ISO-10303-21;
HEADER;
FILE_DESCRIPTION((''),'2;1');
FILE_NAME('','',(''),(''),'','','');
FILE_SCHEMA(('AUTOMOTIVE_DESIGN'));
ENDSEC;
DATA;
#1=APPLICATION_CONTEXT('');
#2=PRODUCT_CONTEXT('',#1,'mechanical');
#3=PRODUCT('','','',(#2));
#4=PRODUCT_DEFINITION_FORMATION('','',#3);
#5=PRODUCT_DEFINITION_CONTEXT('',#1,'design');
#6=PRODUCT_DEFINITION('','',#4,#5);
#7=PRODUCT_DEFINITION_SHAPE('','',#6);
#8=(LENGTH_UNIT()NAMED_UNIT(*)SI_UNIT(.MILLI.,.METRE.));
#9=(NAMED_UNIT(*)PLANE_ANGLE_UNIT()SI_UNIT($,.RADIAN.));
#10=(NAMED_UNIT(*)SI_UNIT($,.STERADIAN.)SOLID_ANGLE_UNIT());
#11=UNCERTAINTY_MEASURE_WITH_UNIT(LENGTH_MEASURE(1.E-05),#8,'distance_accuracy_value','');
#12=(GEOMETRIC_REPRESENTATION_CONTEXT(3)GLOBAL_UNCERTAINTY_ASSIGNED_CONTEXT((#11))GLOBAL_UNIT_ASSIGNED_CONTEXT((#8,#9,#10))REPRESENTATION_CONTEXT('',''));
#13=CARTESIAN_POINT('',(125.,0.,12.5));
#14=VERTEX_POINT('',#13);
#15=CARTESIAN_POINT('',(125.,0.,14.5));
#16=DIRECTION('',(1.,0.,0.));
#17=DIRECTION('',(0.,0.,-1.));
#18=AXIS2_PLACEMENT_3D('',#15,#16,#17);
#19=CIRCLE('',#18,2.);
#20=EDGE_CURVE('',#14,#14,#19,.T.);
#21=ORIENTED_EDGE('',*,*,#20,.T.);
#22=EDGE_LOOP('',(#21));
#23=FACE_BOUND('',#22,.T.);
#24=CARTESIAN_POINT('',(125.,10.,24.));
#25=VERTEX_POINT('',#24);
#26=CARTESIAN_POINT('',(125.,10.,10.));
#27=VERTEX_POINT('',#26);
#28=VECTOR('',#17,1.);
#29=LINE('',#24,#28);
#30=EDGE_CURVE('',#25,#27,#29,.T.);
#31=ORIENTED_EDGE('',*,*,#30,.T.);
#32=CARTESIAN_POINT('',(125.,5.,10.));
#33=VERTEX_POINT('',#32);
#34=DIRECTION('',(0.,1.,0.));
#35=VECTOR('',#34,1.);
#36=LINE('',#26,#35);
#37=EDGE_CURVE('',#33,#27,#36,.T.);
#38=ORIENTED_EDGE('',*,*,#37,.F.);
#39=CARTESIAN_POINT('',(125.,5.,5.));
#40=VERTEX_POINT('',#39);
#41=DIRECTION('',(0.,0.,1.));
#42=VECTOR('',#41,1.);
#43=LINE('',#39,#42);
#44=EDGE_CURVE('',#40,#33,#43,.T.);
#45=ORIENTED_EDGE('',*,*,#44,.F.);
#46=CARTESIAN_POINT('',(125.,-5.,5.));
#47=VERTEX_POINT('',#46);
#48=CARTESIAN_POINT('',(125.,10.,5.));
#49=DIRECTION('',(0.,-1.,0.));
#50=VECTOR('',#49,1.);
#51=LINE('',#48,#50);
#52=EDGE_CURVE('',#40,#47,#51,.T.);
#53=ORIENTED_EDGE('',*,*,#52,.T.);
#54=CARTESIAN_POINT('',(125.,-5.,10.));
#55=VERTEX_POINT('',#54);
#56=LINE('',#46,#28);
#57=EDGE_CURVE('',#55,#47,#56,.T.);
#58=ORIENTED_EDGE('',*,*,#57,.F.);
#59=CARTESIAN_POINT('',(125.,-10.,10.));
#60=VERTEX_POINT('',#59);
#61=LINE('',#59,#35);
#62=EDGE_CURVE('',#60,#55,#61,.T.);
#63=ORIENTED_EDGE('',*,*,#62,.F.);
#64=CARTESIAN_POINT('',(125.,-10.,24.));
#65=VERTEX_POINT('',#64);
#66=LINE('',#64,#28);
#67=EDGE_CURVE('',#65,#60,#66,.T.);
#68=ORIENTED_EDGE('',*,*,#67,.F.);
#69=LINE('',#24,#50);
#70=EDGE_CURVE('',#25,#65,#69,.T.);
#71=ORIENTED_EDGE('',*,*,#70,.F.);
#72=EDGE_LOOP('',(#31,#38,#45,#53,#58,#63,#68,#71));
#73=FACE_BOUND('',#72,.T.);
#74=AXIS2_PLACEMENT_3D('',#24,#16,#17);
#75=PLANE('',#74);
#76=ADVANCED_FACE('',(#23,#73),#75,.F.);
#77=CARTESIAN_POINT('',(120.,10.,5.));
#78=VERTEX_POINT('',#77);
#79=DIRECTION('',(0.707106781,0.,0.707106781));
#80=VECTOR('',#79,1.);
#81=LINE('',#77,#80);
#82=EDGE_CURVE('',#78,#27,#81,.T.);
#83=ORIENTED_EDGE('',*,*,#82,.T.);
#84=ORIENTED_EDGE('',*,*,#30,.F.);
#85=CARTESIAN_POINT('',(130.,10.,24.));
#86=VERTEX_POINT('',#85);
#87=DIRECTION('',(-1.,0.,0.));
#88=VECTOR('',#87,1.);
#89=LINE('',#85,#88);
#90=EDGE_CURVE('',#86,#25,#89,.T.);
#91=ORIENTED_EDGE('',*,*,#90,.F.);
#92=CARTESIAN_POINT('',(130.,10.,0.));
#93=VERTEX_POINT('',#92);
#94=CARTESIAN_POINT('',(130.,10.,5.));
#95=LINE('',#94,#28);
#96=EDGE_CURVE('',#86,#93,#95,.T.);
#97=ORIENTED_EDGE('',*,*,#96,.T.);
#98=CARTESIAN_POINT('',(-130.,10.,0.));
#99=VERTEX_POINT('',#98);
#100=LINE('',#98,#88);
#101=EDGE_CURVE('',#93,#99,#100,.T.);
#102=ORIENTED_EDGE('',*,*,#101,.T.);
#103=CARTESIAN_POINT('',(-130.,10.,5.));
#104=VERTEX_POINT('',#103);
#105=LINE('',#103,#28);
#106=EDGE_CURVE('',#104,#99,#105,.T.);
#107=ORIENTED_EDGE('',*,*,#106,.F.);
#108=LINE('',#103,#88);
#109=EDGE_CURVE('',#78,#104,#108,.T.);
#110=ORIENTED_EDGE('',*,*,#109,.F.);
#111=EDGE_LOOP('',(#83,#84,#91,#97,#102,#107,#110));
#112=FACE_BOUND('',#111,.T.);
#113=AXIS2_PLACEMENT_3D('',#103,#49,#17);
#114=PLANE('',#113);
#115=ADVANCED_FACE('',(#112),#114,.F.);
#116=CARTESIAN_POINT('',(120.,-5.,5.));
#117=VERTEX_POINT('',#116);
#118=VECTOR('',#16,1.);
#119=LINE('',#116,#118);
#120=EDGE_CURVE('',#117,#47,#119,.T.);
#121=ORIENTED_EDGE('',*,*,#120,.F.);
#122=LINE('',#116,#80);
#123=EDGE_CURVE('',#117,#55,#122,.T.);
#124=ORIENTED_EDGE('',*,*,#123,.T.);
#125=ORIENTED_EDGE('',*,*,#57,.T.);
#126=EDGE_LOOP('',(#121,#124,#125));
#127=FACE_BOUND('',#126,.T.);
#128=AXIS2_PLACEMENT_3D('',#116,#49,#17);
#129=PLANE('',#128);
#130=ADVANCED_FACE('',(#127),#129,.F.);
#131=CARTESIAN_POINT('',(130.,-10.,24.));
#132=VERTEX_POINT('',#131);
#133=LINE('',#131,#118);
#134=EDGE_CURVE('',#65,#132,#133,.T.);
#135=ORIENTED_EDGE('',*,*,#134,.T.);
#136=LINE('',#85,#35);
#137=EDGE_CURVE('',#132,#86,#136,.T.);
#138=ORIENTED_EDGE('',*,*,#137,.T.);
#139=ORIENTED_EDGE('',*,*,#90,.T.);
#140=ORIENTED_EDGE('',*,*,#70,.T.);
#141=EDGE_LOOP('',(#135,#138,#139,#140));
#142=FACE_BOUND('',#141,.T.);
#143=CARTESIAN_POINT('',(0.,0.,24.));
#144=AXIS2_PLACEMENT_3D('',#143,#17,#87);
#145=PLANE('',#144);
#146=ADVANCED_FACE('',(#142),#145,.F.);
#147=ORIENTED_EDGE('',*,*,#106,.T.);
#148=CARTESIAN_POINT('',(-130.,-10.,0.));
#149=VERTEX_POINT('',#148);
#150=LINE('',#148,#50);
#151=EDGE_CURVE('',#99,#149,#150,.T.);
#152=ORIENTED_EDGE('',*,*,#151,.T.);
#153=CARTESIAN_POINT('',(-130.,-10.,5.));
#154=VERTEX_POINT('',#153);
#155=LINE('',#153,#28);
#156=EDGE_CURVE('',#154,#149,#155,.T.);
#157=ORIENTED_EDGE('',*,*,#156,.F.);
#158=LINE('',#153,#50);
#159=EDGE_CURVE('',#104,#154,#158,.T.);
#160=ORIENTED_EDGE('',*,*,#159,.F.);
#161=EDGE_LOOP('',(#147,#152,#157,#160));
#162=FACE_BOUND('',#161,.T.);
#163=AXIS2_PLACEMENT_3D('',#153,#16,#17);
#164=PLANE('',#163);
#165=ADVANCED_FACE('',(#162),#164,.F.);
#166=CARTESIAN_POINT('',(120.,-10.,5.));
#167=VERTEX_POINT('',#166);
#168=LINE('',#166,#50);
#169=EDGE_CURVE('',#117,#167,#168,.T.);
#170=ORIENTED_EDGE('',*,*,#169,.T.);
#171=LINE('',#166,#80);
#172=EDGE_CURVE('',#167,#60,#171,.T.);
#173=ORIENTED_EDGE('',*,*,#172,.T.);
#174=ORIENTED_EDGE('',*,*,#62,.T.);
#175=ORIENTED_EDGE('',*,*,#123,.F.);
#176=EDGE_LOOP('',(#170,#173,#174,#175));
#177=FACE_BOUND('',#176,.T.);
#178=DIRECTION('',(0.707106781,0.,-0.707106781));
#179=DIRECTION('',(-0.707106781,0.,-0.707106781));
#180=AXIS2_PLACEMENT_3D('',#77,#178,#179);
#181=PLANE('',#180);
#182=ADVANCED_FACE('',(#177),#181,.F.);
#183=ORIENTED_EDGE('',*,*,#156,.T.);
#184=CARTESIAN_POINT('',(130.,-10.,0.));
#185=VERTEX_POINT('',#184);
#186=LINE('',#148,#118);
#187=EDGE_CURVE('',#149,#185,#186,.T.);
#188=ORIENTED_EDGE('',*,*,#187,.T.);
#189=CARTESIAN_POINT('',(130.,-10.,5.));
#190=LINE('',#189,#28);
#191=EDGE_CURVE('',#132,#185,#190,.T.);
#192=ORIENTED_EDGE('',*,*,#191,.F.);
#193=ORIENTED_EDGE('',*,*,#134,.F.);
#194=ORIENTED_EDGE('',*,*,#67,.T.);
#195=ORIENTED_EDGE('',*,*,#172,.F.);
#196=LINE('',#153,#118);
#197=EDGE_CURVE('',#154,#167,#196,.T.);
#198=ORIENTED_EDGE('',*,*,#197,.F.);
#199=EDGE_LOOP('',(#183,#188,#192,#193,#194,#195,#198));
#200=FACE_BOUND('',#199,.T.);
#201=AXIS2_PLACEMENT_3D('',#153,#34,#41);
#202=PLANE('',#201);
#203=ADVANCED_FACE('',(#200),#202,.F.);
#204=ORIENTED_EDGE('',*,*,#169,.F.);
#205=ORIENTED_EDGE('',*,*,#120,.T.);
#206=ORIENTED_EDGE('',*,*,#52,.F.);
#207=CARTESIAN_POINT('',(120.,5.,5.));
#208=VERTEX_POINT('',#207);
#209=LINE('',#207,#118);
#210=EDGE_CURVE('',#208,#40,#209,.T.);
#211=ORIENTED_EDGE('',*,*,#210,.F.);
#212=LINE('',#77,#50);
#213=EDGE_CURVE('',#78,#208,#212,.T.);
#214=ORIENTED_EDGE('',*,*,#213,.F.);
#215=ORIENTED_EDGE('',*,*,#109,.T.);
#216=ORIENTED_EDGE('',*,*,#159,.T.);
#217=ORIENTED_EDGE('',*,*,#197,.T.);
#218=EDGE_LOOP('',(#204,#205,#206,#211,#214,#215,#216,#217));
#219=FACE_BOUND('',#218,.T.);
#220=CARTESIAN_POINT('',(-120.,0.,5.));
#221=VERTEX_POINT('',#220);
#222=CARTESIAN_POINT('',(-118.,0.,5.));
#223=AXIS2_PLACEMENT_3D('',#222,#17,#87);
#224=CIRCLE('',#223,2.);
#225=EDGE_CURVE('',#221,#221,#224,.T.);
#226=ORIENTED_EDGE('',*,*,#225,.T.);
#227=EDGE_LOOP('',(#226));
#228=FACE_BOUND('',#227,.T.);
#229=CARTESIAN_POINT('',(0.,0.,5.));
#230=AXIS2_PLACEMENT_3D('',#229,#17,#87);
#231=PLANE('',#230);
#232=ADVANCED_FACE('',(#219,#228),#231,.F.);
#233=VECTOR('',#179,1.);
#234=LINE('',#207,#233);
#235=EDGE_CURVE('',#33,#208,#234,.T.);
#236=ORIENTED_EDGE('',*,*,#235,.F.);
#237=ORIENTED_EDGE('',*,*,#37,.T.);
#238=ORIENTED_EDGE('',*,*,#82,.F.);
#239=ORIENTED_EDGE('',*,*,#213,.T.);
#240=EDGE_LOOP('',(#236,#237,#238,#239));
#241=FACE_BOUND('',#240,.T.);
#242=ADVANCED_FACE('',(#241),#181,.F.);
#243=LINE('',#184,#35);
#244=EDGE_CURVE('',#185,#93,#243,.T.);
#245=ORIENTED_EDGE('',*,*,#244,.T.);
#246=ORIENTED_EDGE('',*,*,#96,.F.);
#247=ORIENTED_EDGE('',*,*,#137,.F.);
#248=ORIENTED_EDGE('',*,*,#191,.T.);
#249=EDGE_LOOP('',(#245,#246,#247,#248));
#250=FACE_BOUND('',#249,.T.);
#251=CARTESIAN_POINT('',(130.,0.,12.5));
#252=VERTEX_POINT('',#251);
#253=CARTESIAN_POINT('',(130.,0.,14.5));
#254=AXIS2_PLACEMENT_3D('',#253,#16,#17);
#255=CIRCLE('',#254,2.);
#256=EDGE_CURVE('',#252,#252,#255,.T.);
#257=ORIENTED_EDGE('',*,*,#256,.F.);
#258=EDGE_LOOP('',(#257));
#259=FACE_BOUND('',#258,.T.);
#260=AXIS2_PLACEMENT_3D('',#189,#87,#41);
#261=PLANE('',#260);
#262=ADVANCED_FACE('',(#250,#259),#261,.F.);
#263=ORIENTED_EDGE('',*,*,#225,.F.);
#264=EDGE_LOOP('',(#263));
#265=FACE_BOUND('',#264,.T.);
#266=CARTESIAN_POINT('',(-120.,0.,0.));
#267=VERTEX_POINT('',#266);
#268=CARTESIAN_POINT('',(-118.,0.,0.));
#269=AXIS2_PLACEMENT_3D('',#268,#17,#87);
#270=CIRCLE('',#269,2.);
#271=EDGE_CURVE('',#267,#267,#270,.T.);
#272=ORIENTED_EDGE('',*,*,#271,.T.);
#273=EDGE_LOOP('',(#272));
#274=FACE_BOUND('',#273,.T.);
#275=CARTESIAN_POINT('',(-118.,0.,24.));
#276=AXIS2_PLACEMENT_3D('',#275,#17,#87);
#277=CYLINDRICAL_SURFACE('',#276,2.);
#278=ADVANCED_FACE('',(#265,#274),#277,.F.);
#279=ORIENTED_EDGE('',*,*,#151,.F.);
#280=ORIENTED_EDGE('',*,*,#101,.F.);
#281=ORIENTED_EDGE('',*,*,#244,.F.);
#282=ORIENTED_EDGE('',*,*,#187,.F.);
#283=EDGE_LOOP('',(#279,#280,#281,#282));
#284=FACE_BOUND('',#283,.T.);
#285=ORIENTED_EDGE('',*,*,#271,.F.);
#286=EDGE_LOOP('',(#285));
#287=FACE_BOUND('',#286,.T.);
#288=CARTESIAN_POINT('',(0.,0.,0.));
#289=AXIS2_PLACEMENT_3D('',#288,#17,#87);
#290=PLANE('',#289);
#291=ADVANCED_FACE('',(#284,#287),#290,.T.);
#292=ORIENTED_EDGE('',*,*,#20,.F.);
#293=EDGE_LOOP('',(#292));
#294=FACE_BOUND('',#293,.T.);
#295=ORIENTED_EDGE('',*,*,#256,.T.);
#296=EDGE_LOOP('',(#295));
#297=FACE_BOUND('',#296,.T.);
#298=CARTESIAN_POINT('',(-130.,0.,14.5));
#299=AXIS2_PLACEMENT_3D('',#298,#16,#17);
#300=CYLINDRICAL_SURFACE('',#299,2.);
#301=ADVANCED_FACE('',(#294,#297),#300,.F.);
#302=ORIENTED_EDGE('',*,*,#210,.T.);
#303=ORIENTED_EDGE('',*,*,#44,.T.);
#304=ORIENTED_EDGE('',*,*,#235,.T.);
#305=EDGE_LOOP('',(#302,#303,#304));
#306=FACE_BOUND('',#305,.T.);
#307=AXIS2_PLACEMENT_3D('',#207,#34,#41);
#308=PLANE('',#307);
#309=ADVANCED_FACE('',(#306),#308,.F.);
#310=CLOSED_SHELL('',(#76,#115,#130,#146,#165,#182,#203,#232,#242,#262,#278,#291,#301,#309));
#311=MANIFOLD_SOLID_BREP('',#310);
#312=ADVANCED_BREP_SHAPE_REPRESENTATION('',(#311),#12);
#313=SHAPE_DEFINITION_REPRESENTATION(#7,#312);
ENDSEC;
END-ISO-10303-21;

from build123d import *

# Parameters (mm, degrees)
SKETCH1_W           = 260
SKETCH1_H           = 20
BOSS_EXTRUDE1_DEPTH = 5
SKETCH2_W           = 5
SKETCH2_H           = 20
BOSS_EXTRUDE2_DEPTH = 19
SKETCH3_R           = 2
CUT_EXTRUDE1_DEPTH  = 262.296766149
SKETCH4_W           = 5
SKETCH4_H           = 5
BOSS_EXTRUDE3_DEPTH = 5
CUT_EXTRUDE2_DEPTH  = 134.701159307
SKETCH6_R           = 2
CUT_EXTRUDE3_DEPTH  = 133.574507353


with BuildPart() as part:
    # Sketch1 → Boss-Extrude1 (new body)
    with BuildSketch(Plane.XY):
        Rectangle(SKETCH1_W, SKETCH1_H)
    extrude(amount=BOSS_EXTRUDE1_DEPTH)

    # Sketch2 → Boss-Extrude2 (add)
    with BuildSketch(Plane.XY.offset(5)):
        with Locations((127.5, 0)):
            Rectangle(SKETCH2_W, SKETCH2_H)
    extrude(amount=BOSS_EXTRUDE2_DEPTH)

    # Sketch3 → Cut-Extrude1 (cut, through all)
    with BuildSketch(Plane(origin=(130, 0, 0), x_dir=(0, 0, -1), z_dir=(1, 0, 0))):
        with Locations((-14.5, 0)):
            Circle(SKETCH3_R)
    extrude(amount=-CUT_EXTRUDE1_DEPTH, mode=Mode.SUBTRACT)

    # Sketch4 → Boss-Extrude3 (add)
    with BuildSketch(Plane.ZY.offset(-125)):
        with Locations((7.5, -7.5)):
            Rectangle(SKETCH4_W, SKETCH4_H)
        with Locations((7.5, 7.5)):
            Rectangle(SKETCH4_W, SKETCH4_H)
    extrude(amount=BOSS_EXTRUDE3_DEPTH)

    # Sketch5 → Cut-Extrude2 (cut, through all)
    with BuildSketch(Plane.XZ.offset(10)):
        Polygon((120, 5), (125, 10), (120, 10), align=None)
    extrude(amount=-CUT_EXTRUDE2_DEPTH, mode=Mode.SUBTRACT)

    # Sketch6 → Cut-Extrude3 (cut, through all)
    with BuildSketch(Plane(origin=(0, 0, 0), x_dir=(-1, 0, 0), z_dir=(0, 0, -1))):
        with Locations((118, 0)):
            Circle(SKETCH6_R)
    extrude(amount=-CUT_EXTRUDE3_DEPTH, mode=Mode.SUBTRACT)


solid = part.part
